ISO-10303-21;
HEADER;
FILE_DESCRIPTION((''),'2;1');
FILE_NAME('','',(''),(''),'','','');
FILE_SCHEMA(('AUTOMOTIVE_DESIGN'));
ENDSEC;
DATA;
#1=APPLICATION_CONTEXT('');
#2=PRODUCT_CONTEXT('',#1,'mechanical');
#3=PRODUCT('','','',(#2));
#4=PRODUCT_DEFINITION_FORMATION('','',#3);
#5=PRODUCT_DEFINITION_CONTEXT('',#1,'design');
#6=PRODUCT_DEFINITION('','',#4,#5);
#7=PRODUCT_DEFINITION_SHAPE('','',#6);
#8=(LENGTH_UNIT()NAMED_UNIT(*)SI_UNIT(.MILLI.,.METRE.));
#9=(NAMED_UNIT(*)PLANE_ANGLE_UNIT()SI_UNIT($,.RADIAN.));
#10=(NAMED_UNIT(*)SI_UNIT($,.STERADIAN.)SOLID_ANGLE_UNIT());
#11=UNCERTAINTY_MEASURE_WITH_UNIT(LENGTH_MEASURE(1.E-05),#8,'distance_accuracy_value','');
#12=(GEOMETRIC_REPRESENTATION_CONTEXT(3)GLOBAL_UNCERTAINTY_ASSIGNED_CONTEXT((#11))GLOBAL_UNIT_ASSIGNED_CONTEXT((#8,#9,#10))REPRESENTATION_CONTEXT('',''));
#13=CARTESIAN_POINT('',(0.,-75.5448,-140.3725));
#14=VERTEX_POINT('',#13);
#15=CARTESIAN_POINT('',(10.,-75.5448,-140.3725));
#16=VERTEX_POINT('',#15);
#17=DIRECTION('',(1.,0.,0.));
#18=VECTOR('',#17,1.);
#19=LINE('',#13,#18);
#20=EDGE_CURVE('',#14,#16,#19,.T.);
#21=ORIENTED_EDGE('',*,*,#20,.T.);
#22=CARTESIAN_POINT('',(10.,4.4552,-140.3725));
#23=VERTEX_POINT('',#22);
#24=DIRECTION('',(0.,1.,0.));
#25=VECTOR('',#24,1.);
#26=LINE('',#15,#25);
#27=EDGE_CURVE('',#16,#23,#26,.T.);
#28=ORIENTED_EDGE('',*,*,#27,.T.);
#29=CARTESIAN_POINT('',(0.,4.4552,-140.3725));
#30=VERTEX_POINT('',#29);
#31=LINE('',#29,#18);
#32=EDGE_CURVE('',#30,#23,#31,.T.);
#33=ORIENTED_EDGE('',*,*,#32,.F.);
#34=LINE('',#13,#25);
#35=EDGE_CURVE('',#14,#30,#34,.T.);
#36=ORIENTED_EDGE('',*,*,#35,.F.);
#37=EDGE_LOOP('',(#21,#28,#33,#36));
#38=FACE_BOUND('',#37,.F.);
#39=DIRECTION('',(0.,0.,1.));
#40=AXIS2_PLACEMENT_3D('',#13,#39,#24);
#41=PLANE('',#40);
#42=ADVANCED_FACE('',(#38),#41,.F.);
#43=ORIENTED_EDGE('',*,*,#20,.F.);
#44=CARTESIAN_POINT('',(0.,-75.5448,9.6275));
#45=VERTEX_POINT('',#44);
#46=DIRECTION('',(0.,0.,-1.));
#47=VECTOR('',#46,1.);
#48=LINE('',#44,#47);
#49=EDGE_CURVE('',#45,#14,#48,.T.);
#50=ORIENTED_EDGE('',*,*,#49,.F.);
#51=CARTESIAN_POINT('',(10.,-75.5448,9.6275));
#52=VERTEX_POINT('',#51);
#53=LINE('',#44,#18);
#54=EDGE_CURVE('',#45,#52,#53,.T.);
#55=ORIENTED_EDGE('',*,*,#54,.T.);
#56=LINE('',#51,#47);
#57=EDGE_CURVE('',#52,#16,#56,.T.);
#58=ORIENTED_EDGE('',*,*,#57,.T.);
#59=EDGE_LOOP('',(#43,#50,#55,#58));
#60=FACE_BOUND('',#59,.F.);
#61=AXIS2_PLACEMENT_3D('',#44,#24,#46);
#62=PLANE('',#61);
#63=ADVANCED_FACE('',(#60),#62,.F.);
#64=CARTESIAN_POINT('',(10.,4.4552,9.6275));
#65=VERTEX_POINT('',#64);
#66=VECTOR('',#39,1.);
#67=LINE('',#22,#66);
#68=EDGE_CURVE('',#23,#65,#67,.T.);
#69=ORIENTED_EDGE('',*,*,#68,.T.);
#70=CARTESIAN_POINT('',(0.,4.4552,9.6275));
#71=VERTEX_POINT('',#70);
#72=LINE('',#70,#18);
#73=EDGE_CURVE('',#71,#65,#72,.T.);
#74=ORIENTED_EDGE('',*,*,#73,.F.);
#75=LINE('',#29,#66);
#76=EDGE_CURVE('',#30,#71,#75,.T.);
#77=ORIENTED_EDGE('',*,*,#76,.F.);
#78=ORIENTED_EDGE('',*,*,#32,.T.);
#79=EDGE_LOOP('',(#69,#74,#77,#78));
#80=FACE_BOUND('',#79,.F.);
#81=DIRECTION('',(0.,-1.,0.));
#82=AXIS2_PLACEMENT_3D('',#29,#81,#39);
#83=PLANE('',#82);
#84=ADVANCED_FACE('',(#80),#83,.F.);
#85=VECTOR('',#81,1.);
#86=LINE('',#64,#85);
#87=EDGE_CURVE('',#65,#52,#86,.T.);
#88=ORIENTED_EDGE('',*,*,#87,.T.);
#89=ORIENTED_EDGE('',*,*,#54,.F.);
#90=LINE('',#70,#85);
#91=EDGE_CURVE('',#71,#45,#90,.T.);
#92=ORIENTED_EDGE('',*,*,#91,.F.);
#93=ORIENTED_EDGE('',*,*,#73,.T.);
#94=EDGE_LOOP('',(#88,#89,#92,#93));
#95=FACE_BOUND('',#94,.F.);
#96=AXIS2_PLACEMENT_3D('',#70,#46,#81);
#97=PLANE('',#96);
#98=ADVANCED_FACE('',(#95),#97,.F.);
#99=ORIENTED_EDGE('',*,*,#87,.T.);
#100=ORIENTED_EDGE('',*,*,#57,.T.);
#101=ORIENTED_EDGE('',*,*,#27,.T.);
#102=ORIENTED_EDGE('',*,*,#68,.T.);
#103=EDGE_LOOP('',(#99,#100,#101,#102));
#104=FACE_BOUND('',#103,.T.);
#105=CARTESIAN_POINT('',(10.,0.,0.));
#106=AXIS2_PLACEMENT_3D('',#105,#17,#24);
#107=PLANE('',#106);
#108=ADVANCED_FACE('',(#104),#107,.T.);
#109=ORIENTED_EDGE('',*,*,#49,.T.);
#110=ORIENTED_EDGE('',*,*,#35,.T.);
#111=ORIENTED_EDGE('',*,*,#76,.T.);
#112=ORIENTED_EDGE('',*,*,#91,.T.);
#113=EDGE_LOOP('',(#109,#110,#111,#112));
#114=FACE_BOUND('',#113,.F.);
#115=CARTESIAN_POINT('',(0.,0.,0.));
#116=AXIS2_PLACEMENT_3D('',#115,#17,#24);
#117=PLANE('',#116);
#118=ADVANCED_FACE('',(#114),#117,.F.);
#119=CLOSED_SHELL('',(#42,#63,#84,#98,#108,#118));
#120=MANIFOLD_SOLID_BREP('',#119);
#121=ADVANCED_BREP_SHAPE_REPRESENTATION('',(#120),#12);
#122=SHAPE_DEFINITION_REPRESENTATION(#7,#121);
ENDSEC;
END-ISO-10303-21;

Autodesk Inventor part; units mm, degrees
ref_plane "YZ Plane" through (0, 0, 0) normal (1, 0, 0) x (0, 1, 0)
ref_plane "XZ Plane" through (0, 0, 0) normal (0, 1, 0) x (-1, 0, 0)
ref_plane "XY Plane" through (0, 0, 0) normal (0, 0, 1) x (1, 0, 0)
sketch "Sketch1" plane through (0, 0, 0) normal (1, 0, 0) x (0, 1, 0)
  line L0 (4.4552, 9.6275) -> (-75.5448, 9.6275)
  line L1 (-75.5448, 9.6275) -> (-75.5448, -140.3725)
  line L2 (-75.5448, -140.3725) -> (4.4552, -140.3725)
  line L3 (4.4552, -140.3725) -> (4.4552, 9.6275)
  point P0 (0, 0)
  dimension "d0" = 80
  dimension "d1" = 150
extrude "Extrusion1" add sketch "Sketch1" along normal blind 10
properties part number "Part1String"
